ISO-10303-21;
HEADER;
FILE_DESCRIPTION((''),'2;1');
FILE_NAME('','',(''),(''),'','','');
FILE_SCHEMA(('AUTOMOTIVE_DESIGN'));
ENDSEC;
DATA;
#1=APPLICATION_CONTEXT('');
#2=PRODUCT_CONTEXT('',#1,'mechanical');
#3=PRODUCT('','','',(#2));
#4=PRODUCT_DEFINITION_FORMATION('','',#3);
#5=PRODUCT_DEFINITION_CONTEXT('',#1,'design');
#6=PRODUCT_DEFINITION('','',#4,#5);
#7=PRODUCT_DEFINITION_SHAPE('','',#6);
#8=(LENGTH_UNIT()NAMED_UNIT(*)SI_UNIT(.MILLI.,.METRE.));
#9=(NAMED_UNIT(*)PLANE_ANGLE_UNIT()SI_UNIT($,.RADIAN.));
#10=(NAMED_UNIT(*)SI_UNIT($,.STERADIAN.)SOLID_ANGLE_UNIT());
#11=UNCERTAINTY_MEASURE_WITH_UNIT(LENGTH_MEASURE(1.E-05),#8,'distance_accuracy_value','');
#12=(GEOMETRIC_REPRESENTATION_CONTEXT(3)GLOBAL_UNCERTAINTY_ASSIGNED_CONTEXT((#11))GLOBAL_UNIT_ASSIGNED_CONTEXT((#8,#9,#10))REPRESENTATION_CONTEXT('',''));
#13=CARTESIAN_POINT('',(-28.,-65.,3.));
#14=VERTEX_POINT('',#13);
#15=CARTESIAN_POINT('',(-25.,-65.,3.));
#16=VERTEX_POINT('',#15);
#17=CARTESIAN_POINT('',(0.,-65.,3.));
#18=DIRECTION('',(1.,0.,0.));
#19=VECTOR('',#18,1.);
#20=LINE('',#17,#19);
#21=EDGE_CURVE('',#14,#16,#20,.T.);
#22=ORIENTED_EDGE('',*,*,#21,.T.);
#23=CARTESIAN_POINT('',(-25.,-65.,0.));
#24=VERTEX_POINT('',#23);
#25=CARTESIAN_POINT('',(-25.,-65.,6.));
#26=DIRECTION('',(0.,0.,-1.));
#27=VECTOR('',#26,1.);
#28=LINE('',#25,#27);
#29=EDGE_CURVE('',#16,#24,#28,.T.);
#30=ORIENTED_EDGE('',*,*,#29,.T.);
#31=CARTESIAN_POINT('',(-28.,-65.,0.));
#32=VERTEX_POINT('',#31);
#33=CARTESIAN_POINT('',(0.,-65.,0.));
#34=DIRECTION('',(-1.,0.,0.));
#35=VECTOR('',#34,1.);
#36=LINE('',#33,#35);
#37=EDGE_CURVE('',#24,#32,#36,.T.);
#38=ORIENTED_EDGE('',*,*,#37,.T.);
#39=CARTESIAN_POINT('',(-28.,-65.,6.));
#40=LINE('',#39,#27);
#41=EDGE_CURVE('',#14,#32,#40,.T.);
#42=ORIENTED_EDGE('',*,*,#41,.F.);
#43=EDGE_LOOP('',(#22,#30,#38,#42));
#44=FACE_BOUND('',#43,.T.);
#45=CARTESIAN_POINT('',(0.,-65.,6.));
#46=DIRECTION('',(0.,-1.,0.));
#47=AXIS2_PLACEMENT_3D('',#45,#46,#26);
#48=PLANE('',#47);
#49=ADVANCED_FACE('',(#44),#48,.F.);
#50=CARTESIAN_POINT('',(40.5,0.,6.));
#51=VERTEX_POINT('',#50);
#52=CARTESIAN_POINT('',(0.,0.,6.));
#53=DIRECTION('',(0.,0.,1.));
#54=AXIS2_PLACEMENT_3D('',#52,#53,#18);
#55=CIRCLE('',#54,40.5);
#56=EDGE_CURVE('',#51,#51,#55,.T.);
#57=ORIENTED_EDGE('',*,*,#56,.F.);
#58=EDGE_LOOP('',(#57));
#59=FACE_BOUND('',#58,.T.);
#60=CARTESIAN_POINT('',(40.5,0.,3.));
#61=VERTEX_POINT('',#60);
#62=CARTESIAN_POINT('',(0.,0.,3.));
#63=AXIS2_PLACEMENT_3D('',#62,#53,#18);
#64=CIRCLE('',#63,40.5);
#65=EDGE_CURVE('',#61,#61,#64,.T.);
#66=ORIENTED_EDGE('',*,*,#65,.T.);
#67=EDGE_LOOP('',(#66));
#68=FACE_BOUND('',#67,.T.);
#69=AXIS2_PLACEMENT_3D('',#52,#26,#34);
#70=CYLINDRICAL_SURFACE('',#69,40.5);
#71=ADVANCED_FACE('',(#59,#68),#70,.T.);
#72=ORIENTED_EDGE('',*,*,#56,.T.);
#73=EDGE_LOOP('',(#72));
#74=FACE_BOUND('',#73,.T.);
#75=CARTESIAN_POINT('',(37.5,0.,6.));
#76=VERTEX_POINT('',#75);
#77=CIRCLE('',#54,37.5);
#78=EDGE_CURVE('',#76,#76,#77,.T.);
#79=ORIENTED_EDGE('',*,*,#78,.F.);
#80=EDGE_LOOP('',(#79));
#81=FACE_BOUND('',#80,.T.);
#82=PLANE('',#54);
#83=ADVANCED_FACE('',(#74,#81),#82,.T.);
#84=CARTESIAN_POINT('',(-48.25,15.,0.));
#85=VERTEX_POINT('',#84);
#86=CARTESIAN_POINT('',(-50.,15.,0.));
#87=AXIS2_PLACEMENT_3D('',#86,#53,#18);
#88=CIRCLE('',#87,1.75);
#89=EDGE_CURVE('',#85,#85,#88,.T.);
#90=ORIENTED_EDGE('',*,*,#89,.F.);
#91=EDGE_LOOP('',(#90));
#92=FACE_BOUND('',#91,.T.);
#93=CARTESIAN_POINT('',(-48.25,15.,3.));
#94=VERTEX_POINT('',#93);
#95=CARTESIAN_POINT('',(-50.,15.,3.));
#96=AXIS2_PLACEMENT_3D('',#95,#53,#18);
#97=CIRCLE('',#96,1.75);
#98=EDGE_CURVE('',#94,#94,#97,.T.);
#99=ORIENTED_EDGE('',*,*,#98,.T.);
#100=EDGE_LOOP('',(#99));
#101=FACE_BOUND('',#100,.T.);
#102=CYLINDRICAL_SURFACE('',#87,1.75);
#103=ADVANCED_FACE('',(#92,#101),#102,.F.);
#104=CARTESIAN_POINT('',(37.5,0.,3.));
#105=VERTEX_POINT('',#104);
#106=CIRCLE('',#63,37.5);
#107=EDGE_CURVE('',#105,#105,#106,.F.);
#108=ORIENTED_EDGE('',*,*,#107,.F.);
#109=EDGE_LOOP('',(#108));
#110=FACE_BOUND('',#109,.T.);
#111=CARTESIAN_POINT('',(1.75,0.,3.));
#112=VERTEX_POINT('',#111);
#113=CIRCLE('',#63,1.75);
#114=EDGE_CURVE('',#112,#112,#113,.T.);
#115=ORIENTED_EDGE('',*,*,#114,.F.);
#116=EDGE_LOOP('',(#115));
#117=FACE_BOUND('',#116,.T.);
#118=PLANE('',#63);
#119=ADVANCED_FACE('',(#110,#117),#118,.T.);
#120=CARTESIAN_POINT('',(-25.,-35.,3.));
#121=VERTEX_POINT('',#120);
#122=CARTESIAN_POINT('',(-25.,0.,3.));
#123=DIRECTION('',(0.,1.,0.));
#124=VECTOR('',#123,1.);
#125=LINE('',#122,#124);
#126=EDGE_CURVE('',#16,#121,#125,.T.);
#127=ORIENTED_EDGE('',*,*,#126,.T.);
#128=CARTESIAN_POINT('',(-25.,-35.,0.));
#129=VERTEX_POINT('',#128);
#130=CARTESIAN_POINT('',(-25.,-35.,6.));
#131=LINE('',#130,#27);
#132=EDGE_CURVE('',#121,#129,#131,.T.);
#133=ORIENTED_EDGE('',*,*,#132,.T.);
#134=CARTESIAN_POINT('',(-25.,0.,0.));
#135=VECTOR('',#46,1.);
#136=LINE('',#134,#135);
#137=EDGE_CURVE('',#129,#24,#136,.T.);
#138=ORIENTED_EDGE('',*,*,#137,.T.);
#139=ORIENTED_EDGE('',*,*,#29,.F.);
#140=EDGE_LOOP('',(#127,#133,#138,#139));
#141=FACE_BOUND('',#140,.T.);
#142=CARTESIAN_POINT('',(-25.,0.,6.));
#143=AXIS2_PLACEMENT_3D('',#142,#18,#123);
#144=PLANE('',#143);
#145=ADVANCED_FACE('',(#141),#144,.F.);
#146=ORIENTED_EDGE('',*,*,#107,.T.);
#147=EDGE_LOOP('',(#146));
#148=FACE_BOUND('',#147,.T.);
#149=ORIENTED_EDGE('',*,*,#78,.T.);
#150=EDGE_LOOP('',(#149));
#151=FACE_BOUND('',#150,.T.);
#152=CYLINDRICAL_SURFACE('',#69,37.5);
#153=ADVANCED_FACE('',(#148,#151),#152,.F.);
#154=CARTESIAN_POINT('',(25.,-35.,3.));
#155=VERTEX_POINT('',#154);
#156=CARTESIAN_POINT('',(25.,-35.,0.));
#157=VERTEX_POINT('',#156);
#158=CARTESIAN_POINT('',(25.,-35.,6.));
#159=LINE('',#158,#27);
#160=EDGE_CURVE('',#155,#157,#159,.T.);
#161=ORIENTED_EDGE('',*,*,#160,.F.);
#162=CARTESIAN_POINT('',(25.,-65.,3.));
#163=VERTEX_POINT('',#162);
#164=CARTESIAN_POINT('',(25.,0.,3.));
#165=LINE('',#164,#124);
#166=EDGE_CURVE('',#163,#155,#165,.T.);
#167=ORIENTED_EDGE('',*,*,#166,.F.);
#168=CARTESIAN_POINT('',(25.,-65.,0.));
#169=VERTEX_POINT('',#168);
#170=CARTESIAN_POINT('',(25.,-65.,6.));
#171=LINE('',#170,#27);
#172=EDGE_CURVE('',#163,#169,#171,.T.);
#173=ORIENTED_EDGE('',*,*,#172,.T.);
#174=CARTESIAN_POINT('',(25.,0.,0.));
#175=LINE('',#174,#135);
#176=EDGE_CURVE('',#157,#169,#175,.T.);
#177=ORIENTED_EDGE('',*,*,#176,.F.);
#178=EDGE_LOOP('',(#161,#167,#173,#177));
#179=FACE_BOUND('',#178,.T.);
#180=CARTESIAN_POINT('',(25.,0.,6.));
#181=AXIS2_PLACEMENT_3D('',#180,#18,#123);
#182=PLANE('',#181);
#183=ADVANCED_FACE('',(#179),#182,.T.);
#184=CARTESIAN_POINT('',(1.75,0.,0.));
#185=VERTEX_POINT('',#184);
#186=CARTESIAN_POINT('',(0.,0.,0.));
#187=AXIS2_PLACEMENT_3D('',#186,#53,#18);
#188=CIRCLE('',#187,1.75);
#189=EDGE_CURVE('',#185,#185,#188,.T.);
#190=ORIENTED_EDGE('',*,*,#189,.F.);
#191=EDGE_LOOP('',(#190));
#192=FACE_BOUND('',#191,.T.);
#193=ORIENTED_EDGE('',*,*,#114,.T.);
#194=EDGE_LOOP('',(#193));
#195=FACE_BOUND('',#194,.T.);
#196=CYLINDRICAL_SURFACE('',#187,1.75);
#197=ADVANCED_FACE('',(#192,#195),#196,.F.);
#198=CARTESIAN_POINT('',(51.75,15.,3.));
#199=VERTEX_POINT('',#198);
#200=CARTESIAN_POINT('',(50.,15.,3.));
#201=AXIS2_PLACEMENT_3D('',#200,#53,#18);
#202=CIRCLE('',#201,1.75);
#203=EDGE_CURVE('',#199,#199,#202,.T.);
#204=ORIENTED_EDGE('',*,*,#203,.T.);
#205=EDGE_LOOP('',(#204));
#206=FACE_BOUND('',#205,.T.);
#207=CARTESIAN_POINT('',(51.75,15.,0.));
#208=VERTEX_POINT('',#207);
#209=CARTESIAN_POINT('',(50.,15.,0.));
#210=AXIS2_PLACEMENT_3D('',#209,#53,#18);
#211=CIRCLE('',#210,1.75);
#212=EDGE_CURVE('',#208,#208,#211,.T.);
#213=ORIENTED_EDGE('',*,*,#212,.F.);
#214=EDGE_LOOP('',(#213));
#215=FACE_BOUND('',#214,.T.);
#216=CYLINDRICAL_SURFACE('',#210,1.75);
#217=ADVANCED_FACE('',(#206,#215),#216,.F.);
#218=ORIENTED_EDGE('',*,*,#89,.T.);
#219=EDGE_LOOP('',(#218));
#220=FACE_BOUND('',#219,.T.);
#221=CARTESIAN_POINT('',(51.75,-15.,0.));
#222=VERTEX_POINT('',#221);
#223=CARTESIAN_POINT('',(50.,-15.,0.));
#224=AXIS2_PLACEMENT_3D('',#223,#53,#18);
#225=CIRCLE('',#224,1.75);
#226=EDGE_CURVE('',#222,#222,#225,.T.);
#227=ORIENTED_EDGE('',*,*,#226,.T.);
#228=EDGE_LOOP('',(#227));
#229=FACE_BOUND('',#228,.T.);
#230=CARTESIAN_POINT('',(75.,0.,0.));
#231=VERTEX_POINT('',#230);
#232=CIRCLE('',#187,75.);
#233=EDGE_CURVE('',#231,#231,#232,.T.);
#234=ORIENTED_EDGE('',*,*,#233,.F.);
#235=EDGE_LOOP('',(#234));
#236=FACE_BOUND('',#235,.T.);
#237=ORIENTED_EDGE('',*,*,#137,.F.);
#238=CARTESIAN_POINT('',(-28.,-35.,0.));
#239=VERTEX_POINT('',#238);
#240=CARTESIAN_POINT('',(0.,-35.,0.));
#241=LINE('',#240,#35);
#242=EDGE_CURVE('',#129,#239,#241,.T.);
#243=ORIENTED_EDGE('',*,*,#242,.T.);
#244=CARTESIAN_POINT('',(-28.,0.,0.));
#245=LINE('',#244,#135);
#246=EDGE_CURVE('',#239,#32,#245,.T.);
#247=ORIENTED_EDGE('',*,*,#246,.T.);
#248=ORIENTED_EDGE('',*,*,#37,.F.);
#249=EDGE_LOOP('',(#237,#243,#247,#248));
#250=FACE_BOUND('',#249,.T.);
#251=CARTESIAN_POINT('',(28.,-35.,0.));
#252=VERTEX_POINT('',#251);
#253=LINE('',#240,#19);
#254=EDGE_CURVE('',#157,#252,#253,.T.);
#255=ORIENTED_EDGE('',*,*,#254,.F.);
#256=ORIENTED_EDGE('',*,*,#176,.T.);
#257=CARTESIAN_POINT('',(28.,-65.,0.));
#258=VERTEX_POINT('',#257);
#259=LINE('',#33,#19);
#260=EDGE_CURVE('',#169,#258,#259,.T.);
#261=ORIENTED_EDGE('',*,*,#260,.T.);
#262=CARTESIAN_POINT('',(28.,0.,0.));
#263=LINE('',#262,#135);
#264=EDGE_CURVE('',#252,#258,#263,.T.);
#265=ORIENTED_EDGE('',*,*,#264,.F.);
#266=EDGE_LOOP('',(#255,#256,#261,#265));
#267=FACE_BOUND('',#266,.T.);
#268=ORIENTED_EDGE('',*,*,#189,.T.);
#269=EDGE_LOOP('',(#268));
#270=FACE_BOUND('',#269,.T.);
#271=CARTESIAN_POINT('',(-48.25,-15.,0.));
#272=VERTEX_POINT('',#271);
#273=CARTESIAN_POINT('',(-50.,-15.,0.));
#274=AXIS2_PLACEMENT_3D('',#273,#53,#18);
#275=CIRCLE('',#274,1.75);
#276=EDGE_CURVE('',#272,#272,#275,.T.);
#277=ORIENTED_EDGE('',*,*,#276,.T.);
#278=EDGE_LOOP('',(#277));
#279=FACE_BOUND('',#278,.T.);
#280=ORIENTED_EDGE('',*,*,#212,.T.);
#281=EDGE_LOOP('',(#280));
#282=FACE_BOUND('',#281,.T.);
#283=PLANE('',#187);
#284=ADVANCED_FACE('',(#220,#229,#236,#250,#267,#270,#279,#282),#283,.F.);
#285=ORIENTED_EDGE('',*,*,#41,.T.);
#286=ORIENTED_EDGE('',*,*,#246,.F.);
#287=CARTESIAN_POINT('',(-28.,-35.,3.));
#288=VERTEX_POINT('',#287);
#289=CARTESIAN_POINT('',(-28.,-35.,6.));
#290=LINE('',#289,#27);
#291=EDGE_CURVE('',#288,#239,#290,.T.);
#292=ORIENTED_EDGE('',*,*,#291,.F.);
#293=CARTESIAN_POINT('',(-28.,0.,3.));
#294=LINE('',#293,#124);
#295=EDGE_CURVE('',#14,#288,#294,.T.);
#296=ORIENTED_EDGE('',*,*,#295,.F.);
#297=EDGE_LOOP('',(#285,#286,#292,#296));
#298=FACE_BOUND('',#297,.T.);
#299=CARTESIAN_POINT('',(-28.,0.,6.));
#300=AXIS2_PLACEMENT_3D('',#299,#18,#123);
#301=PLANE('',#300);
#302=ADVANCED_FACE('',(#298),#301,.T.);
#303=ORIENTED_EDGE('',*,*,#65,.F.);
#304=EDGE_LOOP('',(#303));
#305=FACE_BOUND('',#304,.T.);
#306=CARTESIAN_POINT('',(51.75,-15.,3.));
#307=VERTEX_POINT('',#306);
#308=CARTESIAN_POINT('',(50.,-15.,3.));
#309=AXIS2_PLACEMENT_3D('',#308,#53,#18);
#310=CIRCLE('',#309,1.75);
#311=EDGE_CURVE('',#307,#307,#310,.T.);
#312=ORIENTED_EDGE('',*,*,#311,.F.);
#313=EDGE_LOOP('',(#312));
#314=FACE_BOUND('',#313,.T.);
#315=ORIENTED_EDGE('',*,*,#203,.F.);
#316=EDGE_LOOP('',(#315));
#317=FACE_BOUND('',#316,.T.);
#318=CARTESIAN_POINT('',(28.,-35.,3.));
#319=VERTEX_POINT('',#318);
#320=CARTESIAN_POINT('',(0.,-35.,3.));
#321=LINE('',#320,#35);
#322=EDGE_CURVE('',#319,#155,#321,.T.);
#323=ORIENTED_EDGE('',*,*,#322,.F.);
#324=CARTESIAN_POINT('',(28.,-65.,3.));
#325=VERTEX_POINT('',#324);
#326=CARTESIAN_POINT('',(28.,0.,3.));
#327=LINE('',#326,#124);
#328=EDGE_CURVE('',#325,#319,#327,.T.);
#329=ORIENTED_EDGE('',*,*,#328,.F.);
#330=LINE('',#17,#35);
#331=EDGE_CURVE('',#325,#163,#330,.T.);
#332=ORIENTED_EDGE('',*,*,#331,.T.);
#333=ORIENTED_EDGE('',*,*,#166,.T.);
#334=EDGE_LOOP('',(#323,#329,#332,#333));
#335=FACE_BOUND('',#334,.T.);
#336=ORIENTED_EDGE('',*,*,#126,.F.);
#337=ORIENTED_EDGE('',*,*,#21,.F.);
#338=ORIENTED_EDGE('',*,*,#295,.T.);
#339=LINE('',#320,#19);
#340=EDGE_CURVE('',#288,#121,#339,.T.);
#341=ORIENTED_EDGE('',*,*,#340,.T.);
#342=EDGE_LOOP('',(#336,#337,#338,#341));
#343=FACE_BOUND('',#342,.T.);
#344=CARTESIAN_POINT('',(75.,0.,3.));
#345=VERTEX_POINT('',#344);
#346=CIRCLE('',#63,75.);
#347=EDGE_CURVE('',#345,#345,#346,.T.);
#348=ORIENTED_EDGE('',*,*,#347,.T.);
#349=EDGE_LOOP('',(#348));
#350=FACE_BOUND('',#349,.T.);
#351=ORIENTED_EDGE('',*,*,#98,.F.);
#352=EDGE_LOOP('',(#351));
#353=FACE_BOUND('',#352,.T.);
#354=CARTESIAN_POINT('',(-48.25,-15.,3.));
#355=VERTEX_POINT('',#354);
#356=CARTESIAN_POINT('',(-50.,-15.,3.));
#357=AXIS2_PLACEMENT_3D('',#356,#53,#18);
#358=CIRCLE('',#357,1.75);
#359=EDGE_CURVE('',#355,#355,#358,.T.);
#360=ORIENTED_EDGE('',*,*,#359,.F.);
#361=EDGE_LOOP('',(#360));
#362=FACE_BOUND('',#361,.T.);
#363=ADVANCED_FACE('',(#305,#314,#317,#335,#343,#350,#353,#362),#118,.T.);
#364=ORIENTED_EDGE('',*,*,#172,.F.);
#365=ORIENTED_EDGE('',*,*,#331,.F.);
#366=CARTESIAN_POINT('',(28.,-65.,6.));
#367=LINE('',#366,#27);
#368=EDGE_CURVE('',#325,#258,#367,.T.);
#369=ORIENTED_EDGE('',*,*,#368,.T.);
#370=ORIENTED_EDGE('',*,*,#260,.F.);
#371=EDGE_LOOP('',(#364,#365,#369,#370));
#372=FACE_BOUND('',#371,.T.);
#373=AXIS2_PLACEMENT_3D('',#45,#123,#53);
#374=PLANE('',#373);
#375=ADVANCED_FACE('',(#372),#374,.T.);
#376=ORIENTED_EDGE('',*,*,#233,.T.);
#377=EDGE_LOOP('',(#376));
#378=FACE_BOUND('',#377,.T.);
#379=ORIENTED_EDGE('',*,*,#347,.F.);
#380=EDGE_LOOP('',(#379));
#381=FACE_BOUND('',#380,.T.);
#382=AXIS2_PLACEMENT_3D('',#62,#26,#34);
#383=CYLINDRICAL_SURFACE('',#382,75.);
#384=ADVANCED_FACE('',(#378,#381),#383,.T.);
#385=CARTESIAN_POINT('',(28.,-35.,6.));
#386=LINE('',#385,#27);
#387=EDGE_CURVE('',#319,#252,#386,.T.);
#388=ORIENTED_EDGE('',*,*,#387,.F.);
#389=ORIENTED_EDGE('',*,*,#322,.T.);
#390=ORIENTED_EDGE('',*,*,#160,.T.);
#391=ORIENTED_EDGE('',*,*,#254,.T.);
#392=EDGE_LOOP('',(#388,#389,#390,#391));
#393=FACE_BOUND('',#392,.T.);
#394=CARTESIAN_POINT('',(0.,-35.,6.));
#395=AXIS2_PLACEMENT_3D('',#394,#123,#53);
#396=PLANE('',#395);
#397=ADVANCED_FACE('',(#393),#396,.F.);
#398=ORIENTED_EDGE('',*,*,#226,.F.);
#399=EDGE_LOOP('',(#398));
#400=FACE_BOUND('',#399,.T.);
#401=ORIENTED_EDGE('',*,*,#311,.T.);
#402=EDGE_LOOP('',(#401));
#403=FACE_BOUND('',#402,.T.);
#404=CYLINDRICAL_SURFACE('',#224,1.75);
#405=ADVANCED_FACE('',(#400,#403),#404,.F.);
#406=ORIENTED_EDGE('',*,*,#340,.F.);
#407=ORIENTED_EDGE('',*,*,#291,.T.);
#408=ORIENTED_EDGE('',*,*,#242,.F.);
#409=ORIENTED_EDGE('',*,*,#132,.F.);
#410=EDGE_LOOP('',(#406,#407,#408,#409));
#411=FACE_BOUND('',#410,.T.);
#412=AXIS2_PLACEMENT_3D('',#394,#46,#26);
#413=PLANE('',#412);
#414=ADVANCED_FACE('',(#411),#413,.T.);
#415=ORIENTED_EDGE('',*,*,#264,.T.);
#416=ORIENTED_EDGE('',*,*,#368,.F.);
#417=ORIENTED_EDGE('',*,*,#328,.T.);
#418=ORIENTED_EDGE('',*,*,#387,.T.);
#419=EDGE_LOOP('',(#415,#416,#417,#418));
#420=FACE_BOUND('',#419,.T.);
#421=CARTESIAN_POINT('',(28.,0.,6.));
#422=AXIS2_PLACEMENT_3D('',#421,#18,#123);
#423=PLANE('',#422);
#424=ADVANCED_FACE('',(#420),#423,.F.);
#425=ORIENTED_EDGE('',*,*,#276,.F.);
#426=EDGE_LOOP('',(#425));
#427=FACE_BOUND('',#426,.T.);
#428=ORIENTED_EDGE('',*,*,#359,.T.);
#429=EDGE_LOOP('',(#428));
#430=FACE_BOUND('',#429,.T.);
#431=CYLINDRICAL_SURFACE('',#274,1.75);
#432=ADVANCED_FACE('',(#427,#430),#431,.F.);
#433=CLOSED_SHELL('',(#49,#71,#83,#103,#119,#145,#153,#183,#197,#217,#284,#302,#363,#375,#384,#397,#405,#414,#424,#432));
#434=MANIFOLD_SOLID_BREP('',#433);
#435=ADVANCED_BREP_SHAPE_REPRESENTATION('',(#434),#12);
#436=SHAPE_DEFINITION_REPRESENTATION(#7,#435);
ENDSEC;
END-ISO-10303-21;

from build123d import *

# Parameters (mm, degrees)
SKETCH1_R           = 75
BOSS_EXTRUDE1_DEPTH = 3
SKETCH2_R           = 1.75
CUT_EXTRUDE1_DEPTH  = 107.108435103
SKETCH3_R           = 40.5
SKETCH3_R_2         = 37.5
BOSS_EXTRUDE2_DEPTH = 3
SKETCH4_W           = 3
SKETCH4_H           = 30
CUT_EXTRUDE2_DEPTH  = 107.235587258


with BuildPart() as part:
    # Sketch1 → Boss-Extrude1 (new body)
    with BuildSketch(Plane.XY):
        Circle(SKETCH1_R)
    extrude(amount=BOSS_EXTRUDE1_DEPTH)

    # Sketch2 → Cut-Extrude1 (cut, through all)
    with BuildSketch(Plane.XY.offset(3)):
        with Locations((-50, 15)):
            Circle(SKETCH2_R)
        with Locations((-50, -15)):
            Circle(SKETCH2_R)
        with Locations((50, -15)):
            Circle(SKETCH2_R)
        with Locations((50, 15)):
            Circle(SKETCH2_R)
        Circle(SKETCH2_R)
    extrude(amount=-CUT_EXTRUDE1_DEPTH, mode=Mode.SUBTRACT)

    # Sketch3 → Boss-Extrude2 (add)
    with BuildSketch(Plane.XY.offset(3)):
        Circle(SKETCH3_R)
        Circle(SKETCH3_R_2, mode=Mode.SUBTRACT)
    extrude(amount=BOSS_EXTRUDE2_DEPTH)

    # Sketch4 → Cut-Extrude2 (cut, through all)
    with BuildSketch(Plane(origin=(0, 0, 0), x_dir=(-1, 0, 0), z_dir=(0, 0, -1))):
        with Locations((-26.5, -50)):
            Rectangle(SKETCH4_W, SKETCH4_H)
        with Locations((26.5, -50)):
            Rectangle(SKETCH4_W, SKETCH4_H)
    extrude(amount=-CUT_EXTRUDE2_DEPTH, mode=Mode.SUBTRACT)


solid = part.part
